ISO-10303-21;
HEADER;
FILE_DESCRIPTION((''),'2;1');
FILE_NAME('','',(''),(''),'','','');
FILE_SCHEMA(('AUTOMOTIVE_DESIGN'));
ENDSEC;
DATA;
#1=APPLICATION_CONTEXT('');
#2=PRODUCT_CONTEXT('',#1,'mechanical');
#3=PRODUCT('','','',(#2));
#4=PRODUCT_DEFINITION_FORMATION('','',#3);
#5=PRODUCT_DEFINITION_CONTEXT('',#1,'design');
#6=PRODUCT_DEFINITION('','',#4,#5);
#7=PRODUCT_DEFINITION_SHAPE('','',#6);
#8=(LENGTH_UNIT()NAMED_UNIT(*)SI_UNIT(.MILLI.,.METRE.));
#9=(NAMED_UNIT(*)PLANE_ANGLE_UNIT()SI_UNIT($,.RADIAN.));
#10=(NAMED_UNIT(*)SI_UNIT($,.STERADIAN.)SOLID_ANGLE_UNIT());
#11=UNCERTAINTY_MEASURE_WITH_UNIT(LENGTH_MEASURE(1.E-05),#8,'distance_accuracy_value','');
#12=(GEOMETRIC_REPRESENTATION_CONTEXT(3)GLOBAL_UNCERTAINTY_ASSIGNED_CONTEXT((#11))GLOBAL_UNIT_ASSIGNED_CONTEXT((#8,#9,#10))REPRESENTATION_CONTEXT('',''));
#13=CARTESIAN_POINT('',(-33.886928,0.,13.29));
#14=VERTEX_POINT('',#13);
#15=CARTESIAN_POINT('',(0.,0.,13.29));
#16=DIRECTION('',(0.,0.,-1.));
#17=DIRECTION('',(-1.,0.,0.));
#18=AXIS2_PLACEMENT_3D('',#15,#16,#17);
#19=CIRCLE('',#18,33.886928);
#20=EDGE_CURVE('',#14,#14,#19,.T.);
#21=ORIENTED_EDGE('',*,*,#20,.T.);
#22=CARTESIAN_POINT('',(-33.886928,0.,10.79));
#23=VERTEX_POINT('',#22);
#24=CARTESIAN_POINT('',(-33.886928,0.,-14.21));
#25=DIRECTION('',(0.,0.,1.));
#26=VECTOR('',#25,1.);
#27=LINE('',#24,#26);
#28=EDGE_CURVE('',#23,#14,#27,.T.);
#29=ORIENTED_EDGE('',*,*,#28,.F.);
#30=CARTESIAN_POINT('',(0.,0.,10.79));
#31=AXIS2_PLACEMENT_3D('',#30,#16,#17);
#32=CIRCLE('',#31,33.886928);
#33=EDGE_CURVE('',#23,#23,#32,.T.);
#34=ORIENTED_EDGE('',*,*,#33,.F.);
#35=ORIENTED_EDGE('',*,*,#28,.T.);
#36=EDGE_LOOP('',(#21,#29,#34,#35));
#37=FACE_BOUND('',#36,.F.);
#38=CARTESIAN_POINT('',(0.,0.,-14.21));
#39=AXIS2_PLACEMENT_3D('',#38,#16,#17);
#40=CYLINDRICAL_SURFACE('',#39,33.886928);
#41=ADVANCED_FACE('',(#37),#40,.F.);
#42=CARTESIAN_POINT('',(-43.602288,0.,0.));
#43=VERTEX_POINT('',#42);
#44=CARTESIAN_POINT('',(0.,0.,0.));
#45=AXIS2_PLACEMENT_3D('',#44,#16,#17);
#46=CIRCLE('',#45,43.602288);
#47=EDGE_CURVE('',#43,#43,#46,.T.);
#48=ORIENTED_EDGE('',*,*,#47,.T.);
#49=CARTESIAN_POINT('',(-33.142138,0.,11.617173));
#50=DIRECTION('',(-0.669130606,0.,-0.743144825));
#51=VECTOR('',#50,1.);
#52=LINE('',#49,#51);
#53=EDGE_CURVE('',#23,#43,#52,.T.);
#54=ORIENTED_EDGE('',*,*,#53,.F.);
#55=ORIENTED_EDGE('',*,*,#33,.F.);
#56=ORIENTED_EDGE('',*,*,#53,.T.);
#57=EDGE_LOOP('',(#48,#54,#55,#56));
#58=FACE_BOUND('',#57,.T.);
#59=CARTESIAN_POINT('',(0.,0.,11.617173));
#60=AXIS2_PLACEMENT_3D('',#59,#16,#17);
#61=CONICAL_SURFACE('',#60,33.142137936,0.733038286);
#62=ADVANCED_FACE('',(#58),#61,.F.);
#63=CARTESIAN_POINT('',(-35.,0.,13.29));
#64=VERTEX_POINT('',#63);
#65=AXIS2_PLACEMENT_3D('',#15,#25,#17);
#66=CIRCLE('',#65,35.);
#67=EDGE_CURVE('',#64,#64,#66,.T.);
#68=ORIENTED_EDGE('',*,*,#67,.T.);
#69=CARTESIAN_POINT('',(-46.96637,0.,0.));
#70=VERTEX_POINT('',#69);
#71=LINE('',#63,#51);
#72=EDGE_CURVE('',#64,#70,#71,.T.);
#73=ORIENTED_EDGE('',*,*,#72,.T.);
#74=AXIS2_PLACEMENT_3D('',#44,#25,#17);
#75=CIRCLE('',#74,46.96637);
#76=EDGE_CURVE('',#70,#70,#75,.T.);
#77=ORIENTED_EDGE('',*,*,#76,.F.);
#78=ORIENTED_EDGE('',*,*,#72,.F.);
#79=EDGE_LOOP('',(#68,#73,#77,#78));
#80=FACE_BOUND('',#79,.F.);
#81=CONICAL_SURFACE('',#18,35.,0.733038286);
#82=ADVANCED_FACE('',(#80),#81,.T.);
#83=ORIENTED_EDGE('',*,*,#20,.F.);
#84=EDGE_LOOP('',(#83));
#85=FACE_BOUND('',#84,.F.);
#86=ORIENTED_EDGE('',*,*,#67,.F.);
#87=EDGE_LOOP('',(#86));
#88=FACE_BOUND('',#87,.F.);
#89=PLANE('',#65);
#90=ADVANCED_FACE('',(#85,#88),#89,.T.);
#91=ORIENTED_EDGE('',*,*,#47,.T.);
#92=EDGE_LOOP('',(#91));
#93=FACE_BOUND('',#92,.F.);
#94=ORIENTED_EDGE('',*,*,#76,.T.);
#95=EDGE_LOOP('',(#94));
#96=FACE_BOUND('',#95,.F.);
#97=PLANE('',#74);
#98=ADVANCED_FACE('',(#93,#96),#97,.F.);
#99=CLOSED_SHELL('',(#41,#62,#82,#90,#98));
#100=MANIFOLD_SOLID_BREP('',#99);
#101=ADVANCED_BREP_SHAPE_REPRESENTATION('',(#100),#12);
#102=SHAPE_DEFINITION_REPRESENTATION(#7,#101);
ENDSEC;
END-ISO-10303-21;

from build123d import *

# Parameters (mm, degrees)
F2_T     = -2.5
F3_DEPTH = 25
F4_DEPTH = 25
F5_DEPTH = 27.501


with BuildPart() as f1:
    # F0 (on Front) → F1 (revolve)
    with BuildSketch(Plane.XZ):
        Polygon((0, 0), (0, 13.29), (-35, 13.29), (-46.9663697487, 0), align=None)
    revolve(axis=Axis((0, 0, 32.7267305849), (0, 0, 1)))

    # F2
    f2_openings = [f1.faces().sort_by_distance(p)[0] for p in [
        (0, 0, 0),
    ]]
    offset(amount=F2_T, openings=f2_openings)

    # F3 (add): a face of the model
    f3_faces = [f1.faces().sort_by_distance(p)[0] for p in [
        (0, 0, 10.79),
    ]]
    extrude(f3_faces, amount=F3_DEPTH)

    # F4 (add): a face of the model
    f4_faces = [f1.faces().sort_by_distance(p)[0] for p in [
        (0, 0, -14.21),
    ]]
    extrude(f4_faces, amount=-F4_DEPTH)

    # F5 (cut, through all): a face of the model
    f5_faces = [f1.faces().sort_by_distance(p)[0] for p in [
        (0, 0, -14.21),
    ]]
    extrude(f5_faces, amount=-F5_DEPTH, mode=Mode.SUBTRACT)


solid = f1.part
